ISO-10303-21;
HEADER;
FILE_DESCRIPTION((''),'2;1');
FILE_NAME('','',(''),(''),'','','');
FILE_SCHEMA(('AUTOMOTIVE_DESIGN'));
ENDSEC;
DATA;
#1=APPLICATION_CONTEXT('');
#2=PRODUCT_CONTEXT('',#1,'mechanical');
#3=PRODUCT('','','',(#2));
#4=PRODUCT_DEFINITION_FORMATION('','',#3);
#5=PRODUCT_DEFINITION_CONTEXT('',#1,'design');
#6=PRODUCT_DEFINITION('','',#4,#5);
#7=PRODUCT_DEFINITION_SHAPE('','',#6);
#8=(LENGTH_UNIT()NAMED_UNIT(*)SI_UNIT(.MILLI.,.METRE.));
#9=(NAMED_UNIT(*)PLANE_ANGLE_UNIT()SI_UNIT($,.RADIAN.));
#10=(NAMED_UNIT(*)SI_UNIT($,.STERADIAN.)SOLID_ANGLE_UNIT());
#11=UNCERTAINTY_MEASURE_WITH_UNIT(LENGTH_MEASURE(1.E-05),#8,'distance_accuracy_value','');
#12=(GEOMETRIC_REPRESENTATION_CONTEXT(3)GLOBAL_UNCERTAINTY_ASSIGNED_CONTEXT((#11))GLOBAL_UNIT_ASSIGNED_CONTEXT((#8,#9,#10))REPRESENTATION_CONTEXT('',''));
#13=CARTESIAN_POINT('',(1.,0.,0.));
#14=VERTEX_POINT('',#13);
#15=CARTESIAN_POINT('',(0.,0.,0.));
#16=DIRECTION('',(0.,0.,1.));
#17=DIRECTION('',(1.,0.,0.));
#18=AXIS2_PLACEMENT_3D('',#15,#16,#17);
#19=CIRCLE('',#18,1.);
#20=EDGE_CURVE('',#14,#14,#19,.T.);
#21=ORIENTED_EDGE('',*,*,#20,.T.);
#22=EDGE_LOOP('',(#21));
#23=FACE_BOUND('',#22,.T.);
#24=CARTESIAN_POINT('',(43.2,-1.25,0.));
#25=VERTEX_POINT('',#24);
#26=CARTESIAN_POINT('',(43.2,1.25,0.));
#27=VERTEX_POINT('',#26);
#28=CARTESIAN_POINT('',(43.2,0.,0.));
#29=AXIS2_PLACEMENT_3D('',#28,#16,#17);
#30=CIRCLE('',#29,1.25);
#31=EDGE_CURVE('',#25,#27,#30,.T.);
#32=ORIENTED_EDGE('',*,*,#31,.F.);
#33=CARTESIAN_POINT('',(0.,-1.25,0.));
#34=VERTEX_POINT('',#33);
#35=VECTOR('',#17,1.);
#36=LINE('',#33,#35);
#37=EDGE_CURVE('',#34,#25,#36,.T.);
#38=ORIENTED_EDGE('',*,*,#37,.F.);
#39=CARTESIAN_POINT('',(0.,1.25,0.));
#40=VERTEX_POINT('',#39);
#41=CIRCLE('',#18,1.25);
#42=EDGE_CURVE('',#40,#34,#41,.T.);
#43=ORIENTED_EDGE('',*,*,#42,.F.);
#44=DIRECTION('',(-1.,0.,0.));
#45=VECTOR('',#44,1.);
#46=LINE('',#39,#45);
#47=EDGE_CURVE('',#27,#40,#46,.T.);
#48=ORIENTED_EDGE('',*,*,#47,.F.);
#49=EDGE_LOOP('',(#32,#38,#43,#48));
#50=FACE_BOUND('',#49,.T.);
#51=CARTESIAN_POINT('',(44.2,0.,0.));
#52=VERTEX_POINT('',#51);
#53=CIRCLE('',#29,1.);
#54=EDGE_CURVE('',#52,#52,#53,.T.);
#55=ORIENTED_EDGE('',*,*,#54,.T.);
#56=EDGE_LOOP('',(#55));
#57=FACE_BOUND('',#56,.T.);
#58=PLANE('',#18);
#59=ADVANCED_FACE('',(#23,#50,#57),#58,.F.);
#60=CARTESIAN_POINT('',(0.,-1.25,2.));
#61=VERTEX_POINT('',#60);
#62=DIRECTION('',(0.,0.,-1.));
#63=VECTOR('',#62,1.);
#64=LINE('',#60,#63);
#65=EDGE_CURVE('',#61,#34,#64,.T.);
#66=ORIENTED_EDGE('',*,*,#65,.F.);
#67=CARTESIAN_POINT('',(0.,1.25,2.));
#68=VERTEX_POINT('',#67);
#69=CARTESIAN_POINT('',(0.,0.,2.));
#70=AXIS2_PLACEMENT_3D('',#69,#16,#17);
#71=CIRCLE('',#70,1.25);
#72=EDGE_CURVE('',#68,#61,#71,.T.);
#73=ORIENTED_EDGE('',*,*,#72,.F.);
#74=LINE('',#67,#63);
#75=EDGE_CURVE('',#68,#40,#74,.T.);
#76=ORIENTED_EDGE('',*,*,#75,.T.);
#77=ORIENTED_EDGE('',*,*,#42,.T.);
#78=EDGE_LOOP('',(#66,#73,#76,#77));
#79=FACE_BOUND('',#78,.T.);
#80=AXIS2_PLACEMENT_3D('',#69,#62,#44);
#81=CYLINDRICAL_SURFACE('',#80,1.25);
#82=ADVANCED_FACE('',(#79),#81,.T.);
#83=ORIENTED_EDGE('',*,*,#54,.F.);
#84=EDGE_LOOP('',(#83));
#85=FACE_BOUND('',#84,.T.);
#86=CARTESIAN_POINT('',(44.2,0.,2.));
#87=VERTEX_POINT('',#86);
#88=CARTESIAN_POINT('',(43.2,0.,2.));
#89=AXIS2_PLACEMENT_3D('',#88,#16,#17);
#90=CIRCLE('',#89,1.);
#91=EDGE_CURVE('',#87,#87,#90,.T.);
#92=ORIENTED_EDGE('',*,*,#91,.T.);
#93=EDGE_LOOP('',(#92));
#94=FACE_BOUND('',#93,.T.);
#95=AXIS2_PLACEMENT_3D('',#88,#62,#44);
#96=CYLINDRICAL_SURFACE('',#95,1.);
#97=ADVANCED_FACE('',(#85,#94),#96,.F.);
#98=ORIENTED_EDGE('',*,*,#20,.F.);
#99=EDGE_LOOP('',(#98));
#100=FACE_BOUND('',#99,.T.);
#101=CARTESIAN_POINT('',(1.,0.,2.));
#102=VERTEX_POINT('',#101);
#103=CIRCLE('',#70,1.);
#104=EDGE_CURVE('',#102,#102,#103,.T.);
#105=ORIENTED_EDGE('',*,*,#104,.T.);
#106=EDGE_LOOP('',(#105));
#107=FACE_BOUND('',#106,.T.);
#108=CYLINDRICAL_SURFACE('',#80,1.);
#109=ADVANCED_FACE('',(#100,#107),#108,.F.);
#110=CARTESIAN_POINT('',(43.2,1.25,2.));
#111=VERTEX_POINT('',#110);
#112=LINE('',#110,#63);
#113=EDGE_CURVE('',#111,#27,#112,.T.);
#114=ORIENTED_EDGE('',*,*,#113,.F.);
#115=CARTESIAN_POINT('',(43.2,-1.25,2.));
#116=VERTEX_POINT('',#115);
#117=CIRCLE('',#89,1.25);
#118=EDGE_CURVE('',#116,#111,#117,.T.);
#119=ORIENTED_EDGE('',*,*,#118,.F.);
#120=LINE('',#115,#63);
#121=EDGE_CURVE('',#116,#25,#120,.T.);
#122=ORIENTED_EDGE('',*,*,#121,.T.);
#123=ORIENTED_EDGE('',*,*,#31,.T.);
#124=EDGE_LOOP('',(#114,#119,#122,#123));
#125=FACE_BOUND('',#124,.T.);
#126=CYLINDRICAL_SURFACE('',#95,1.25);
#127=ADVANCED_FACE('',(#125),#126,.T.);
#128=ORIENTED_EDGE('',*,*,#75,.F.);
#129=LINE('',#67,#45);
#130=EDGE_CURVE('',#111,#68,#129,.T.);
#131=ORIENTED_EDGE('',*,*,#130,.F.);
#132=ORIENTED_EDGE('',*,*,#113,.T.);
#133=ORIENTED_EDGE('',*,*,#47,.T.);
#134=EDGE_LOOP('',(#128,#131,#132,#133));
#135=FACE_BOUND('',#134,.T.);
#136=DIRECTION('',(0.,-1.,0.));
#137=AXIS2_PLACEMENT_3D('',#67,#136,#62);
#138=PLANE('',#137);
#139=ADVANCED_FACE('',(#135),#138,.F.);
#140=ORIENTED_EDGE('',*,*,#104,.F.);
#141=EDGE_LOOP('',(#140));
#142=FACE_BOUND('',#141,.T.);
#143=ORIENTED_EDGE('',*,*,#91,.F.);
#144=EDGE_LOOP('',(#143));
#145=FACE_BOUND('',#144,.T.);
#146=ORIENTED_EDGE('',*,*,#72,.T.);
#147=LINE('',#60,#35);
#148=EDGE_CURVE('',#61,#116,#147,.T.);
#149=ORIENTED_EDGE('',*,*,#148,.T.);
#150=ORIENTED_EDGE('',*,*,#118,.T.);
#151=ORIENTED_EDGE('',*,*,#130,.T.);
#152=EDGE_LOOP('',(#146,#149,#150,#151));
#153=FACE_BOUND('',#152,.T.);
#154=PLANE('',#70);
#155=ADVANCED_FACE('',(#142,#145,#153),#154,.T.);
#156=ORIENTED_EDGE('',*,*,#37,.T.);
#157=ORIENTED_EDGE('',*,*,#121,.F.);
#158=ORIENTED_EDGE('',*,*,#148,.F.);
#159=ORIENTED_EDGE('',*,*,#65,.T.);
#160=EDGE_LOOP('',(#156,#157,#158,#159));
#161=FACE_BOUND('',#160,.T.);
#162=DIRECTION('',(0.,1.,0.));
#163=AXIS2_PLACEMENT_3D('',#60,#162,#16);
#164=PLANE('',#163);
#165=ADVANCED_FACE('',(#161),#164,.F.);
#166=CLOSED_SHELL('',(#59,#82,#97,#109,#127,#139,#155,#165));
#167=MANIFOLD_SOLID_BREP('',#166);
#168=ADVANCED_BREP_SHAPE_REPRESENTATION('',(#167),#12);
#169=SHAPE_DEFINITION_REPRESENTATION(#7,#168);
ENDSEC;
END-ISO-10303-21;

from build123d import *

# Parameters (mm, degrees)
SKETCH1_R           = 1
BOSS_EXTRUDE1_DEPTH = 2


with BuildPart() as part:
    # Sketch1 → Boss-Extrude1 (new body)
    with BuildSketch(Plane.XY):
        with BuildLine():
            Line((0, 1.25), (43.2, 1.25))
            ThreePointArc((43.2, 1.25), (44.45, 0), (43.2, -1.25))
            Line((43.2, -1.25), (0, -1.25))
            ThreePointArc((0, -1.25), (-1.25, 0), (0, 1.25))
        make_face()
        Circle(SKETCH1_R, mode=Mode.SUBTRACT)
        with Locations((43.2, 0)):
            Circle(SKETCH1_R, mode=Mode.SUBTRACT)
    extrude(amount=BOSS_EXTRUDE1_DEPTH)


solid = part.part
